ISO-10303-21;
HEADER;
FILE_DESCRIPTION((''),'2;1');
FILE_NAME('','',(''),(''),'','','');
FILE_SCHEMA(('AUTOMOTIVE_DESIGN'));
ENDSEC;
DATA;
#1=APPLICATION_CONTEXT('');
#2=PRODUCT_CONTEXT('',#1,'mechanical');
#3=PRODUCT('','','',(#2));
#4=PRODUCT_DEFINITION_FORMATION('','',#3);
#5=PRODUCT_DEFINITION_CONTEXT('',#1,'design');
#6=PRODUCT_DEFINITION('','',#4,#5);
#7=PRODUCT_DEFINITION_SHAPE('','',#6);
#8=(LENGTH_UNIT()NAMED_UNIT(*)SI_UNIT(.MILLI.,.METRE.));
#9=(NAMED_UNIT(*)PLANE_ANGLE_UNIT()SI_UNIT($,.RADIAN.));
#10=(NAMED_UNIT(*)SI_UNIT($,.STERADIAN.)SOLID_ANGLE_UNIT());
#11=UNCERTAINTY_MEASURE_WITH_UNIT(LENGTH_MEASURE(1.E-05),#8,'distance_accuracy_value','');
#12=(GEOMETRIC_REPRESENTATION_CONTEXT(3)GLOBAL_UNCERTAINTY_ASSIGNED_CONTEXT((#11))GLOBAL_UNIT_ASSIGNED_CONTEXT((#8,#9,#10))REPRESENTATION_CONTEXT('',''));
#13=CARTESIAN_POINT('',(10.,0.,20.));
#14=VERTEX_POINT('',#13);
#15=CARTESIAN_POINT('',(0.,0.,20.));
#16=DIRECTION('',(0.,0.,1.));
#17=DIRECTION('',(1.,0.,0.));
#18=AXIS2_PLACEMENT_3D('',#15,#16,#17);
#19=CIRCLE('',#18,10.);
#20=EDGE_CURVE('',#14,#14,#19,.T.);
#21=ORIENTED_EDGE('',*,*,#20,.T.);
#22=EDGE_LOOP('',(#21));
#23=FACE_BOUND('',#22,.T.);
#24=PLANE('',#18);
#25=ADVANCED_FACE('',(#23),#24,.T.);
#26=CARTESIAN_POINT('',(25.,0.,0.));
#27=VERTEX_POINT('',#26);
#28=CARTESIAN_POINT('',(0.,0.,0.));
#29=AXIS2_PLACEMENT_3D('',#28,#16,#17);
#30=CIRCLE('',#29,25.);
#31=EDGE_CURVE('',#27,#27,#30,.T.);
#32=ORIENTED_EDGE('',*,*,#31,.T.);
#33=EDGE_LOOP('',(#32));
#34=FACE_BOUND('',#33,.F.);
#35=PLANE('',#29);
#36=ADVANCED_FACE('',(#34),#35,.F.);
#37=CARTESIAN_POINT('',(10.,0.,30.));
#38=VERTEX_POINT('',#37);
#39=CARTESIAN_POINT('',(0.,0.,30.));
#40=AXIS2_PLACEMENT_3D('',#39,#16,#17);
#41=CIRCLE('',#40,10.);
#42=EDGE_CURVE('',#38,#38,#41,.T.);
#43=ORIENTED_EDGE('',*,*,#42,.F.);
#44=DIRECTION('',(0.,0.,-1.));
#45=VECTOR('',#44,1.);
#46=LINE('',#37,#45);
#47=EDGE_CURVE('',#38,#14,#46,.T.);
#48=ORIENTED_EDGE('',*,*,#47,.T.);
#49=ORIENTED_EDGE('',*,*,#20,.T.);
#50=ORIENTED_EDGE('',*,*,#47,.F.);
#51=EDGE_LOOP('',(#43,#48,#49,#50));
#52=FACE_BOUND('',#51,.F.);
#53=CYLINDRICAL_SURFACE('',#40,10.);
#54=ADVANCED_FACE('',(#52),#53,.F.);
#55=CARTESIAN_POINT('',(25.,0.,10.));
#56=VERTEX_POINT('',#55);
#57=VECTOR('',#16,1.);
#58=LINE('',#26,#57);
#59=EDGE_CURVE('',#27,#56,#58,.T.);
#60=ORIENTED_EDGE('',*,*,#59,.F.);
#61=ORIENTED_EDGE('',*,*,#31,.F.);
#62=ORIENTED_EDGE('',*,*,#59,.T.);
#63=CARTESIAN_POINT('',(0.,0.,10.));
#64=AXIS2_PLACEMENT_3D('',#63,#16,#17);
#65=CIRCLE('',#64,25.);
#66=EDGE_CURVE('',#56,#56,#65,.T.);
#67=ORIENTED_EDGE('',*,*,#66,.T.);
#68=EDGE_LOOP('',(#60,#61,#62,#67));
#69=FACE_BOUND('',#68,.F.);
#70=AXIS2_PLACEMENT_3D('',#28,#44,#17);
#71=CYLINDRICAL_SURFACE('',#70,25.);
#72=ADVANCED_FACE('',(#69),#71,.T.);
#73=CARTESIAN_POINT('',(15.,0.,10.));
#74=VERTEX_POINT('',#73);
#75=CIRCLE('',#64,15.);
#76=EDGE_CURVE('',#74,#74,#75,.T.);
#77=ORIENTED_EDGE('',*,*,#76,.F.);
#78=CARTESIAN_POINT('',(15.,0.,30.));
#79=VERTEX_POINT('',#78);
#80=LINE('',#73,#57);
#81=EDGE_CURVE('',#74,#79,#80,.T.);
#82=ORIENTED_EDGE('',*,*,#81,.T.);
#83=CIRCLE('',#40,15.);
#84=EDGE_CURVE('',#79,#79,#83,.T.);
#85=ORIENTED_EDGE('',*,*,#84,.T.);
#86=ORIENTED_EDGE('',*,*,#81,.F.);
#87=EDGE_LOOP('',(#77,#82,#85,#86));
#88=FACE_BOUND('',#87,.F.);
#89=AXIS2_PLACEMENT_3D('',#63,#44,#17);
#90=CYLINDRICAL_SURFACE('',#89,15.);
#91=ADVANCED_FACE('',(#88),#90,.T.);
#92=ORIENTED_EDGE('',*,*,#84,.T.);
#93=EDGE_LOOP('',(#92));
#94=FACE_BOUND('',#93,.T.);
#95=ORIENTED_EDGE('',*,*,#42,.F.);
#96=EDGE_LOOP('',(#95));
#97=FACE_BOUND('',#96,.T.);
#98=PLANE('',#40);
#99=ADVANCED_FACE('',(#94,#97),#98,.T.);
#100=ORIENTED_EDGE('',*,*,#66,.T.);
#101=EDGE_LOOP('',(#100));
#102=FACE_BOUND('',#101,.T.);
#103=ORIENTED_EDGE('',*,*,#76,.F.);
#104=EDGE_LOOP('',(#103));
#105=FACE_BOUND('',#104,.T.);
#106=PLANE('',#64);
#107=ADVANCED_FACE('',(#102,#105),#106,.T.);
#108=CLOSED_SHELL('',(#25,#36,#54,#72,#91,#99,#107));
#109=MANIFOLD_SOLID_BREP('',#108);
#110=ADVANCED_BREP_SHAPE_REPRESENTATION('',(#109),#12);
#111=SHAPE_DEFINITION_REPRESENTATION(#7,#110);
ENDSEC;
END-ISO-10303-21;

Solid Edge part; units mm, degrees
sketch "Sketch1" plane through (0, 0, 0) normal (0, 0, 1) x (1, 0, 0)
  circle A0 centre (0, 0) radius 25
extrude "Protrusion1" add sketch "Sketch1" along normal blind 10
sketch "Sketch2" plane through (0, 0, 10) normal (0, 0, 1) x (1, 0, 0)
  circle A0 centre (0, 0) radius 15
extrude "ExtrudedProtrusion_2" add sketch "Sketch2" along normal blind 20
sketch "Sketch3" plane through (0, 0, 30) normal (0, 0, 1) x (1, 0, 0)
  circle A0 centre (0, 0) radius 10
extrude "ExtrudedCutout_1" cut sketch "Sketch3" against normal blind 10
cosmetic_thread "Thread1" size "Tr 20 x 4"
